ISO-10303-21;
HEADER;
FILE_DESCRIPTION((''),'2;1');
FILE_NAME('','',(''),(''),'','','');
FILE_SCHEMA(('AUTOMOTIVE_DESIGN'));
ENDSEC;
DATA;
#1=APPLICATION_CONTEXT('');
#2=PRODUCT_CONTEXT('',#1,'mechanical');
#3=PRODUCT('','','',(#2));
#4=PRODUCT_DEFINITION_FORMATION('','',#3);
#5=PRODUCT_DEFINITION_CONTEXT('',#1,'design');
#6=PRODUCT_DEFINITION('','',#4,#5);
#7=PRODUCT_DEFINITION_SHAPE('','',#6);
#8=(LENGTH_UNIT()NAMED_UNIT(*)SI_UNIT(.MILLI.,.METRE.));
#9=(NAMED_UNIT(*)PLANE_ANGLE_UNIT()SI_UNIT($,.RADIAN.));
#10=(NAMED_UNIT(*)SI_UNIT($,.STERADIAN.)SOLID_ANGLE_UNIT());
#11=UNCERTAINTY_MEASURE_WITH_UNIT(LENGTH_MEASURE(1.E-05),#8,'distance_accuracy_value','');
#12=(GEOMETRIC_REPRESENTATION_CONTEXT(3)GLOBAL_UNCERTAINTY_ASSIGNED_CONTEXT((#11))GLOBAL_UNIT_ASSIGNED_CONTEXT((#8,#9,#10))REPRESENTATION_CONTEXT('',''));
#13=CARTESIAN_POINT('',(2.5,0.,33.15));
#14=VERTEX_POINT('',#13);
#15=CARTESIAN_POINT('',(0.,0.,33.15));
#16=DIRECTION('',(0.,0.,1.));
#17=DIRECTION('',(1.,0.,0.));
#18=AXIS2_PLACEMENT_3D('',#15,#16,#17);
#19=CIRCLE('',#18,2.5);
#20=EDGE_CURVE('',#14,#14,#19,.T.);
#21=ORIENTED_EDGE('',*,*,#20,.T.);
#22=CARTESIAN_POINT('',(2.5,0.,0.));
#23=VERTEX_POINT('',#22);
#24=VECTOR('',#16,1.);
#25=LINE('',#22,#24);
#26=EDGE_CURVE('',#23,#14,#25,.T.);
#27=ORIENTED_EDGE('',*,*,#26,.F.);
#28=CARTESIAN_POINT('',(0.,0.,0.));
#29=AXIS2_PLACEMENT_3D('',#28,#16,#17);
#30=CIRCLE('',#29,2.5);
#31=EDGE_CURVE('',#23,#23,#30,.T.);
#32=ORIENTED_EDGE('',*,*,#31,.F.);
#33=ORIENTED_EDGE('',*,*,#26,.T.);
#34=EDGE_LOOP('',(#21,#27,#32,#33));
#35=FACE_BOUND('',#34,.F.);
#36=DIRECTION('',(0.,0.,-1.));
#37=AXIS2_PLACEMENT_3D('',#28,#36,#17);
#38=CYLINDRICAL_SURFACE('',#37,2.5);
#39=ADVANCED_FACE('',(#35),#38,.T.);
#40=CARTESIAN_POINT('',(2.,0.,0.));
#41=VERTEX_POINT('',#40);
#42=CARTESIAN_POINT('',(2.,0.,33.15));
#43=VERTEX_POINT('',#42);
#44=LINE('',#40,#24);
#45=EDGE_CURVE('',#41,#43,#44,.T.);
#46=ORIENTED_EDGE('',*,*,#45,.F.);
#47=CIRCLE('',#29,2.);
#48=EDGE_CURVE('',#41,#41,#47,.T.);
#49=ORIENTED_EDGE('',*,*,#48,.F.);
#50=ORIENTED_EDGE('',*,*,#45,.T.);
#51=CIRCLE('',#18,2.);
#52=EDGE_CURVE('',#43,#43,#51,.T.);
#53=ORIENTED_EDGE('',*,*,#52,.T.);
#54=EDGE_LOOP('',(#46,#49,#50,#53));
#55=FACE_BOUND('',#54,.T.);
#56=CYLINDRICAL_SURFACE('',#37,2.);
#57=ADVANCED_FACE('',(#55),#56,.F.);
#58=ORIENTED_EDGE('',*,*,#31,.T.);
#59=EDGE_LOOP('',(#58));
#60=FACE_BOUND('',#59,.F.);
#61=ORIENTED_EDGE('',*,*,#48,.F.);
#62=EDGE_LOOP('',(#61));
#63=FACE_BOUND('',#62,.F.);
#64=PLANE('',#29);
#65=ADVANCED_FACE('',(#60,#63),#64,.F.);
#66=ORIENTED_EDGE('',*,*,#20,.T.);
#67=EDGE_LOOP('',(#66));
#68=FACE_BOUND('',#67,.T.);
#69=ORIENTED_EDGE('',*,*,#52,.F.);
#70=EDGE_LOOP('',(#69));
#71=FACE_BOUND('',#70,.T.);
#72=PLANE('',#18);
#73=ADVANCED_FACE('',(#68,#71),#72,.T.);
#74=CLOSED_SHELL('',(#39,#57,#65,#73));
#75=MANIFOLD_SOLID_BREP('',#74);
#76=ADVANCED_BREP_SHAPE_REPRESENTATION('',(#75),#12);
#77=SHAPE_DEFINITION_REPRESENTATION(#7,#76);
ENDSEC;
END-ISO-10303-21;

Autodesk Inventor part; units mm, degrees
ref_plane "YZ Plane" through (0, 0, 0) normal (1, 0, 0) x (0, 1, 0)
ref_plane "XZ Plane" through (0, 0, 0) normal (0, 1, 0) x (-1, 0, 0)
ref_plane "XY Plane" through (0, 0, 0) normal (0, 0, 1) x (1, 0, 0)
sketch "Szkic1" plane through (0, 0, 0) normal (0, 0, 1) x (1, 0, 0)
  circle A0 centre (0, 0) radius 2
  circle A1 centre (0, 0) radius 2.5
  dimension "d0" = 4
  dimension "d1" = 5
extrude "Wyciągnięcie proste1" add sketch "Szkic1" along normal blind 33.15
properties part number "tuleja3"
